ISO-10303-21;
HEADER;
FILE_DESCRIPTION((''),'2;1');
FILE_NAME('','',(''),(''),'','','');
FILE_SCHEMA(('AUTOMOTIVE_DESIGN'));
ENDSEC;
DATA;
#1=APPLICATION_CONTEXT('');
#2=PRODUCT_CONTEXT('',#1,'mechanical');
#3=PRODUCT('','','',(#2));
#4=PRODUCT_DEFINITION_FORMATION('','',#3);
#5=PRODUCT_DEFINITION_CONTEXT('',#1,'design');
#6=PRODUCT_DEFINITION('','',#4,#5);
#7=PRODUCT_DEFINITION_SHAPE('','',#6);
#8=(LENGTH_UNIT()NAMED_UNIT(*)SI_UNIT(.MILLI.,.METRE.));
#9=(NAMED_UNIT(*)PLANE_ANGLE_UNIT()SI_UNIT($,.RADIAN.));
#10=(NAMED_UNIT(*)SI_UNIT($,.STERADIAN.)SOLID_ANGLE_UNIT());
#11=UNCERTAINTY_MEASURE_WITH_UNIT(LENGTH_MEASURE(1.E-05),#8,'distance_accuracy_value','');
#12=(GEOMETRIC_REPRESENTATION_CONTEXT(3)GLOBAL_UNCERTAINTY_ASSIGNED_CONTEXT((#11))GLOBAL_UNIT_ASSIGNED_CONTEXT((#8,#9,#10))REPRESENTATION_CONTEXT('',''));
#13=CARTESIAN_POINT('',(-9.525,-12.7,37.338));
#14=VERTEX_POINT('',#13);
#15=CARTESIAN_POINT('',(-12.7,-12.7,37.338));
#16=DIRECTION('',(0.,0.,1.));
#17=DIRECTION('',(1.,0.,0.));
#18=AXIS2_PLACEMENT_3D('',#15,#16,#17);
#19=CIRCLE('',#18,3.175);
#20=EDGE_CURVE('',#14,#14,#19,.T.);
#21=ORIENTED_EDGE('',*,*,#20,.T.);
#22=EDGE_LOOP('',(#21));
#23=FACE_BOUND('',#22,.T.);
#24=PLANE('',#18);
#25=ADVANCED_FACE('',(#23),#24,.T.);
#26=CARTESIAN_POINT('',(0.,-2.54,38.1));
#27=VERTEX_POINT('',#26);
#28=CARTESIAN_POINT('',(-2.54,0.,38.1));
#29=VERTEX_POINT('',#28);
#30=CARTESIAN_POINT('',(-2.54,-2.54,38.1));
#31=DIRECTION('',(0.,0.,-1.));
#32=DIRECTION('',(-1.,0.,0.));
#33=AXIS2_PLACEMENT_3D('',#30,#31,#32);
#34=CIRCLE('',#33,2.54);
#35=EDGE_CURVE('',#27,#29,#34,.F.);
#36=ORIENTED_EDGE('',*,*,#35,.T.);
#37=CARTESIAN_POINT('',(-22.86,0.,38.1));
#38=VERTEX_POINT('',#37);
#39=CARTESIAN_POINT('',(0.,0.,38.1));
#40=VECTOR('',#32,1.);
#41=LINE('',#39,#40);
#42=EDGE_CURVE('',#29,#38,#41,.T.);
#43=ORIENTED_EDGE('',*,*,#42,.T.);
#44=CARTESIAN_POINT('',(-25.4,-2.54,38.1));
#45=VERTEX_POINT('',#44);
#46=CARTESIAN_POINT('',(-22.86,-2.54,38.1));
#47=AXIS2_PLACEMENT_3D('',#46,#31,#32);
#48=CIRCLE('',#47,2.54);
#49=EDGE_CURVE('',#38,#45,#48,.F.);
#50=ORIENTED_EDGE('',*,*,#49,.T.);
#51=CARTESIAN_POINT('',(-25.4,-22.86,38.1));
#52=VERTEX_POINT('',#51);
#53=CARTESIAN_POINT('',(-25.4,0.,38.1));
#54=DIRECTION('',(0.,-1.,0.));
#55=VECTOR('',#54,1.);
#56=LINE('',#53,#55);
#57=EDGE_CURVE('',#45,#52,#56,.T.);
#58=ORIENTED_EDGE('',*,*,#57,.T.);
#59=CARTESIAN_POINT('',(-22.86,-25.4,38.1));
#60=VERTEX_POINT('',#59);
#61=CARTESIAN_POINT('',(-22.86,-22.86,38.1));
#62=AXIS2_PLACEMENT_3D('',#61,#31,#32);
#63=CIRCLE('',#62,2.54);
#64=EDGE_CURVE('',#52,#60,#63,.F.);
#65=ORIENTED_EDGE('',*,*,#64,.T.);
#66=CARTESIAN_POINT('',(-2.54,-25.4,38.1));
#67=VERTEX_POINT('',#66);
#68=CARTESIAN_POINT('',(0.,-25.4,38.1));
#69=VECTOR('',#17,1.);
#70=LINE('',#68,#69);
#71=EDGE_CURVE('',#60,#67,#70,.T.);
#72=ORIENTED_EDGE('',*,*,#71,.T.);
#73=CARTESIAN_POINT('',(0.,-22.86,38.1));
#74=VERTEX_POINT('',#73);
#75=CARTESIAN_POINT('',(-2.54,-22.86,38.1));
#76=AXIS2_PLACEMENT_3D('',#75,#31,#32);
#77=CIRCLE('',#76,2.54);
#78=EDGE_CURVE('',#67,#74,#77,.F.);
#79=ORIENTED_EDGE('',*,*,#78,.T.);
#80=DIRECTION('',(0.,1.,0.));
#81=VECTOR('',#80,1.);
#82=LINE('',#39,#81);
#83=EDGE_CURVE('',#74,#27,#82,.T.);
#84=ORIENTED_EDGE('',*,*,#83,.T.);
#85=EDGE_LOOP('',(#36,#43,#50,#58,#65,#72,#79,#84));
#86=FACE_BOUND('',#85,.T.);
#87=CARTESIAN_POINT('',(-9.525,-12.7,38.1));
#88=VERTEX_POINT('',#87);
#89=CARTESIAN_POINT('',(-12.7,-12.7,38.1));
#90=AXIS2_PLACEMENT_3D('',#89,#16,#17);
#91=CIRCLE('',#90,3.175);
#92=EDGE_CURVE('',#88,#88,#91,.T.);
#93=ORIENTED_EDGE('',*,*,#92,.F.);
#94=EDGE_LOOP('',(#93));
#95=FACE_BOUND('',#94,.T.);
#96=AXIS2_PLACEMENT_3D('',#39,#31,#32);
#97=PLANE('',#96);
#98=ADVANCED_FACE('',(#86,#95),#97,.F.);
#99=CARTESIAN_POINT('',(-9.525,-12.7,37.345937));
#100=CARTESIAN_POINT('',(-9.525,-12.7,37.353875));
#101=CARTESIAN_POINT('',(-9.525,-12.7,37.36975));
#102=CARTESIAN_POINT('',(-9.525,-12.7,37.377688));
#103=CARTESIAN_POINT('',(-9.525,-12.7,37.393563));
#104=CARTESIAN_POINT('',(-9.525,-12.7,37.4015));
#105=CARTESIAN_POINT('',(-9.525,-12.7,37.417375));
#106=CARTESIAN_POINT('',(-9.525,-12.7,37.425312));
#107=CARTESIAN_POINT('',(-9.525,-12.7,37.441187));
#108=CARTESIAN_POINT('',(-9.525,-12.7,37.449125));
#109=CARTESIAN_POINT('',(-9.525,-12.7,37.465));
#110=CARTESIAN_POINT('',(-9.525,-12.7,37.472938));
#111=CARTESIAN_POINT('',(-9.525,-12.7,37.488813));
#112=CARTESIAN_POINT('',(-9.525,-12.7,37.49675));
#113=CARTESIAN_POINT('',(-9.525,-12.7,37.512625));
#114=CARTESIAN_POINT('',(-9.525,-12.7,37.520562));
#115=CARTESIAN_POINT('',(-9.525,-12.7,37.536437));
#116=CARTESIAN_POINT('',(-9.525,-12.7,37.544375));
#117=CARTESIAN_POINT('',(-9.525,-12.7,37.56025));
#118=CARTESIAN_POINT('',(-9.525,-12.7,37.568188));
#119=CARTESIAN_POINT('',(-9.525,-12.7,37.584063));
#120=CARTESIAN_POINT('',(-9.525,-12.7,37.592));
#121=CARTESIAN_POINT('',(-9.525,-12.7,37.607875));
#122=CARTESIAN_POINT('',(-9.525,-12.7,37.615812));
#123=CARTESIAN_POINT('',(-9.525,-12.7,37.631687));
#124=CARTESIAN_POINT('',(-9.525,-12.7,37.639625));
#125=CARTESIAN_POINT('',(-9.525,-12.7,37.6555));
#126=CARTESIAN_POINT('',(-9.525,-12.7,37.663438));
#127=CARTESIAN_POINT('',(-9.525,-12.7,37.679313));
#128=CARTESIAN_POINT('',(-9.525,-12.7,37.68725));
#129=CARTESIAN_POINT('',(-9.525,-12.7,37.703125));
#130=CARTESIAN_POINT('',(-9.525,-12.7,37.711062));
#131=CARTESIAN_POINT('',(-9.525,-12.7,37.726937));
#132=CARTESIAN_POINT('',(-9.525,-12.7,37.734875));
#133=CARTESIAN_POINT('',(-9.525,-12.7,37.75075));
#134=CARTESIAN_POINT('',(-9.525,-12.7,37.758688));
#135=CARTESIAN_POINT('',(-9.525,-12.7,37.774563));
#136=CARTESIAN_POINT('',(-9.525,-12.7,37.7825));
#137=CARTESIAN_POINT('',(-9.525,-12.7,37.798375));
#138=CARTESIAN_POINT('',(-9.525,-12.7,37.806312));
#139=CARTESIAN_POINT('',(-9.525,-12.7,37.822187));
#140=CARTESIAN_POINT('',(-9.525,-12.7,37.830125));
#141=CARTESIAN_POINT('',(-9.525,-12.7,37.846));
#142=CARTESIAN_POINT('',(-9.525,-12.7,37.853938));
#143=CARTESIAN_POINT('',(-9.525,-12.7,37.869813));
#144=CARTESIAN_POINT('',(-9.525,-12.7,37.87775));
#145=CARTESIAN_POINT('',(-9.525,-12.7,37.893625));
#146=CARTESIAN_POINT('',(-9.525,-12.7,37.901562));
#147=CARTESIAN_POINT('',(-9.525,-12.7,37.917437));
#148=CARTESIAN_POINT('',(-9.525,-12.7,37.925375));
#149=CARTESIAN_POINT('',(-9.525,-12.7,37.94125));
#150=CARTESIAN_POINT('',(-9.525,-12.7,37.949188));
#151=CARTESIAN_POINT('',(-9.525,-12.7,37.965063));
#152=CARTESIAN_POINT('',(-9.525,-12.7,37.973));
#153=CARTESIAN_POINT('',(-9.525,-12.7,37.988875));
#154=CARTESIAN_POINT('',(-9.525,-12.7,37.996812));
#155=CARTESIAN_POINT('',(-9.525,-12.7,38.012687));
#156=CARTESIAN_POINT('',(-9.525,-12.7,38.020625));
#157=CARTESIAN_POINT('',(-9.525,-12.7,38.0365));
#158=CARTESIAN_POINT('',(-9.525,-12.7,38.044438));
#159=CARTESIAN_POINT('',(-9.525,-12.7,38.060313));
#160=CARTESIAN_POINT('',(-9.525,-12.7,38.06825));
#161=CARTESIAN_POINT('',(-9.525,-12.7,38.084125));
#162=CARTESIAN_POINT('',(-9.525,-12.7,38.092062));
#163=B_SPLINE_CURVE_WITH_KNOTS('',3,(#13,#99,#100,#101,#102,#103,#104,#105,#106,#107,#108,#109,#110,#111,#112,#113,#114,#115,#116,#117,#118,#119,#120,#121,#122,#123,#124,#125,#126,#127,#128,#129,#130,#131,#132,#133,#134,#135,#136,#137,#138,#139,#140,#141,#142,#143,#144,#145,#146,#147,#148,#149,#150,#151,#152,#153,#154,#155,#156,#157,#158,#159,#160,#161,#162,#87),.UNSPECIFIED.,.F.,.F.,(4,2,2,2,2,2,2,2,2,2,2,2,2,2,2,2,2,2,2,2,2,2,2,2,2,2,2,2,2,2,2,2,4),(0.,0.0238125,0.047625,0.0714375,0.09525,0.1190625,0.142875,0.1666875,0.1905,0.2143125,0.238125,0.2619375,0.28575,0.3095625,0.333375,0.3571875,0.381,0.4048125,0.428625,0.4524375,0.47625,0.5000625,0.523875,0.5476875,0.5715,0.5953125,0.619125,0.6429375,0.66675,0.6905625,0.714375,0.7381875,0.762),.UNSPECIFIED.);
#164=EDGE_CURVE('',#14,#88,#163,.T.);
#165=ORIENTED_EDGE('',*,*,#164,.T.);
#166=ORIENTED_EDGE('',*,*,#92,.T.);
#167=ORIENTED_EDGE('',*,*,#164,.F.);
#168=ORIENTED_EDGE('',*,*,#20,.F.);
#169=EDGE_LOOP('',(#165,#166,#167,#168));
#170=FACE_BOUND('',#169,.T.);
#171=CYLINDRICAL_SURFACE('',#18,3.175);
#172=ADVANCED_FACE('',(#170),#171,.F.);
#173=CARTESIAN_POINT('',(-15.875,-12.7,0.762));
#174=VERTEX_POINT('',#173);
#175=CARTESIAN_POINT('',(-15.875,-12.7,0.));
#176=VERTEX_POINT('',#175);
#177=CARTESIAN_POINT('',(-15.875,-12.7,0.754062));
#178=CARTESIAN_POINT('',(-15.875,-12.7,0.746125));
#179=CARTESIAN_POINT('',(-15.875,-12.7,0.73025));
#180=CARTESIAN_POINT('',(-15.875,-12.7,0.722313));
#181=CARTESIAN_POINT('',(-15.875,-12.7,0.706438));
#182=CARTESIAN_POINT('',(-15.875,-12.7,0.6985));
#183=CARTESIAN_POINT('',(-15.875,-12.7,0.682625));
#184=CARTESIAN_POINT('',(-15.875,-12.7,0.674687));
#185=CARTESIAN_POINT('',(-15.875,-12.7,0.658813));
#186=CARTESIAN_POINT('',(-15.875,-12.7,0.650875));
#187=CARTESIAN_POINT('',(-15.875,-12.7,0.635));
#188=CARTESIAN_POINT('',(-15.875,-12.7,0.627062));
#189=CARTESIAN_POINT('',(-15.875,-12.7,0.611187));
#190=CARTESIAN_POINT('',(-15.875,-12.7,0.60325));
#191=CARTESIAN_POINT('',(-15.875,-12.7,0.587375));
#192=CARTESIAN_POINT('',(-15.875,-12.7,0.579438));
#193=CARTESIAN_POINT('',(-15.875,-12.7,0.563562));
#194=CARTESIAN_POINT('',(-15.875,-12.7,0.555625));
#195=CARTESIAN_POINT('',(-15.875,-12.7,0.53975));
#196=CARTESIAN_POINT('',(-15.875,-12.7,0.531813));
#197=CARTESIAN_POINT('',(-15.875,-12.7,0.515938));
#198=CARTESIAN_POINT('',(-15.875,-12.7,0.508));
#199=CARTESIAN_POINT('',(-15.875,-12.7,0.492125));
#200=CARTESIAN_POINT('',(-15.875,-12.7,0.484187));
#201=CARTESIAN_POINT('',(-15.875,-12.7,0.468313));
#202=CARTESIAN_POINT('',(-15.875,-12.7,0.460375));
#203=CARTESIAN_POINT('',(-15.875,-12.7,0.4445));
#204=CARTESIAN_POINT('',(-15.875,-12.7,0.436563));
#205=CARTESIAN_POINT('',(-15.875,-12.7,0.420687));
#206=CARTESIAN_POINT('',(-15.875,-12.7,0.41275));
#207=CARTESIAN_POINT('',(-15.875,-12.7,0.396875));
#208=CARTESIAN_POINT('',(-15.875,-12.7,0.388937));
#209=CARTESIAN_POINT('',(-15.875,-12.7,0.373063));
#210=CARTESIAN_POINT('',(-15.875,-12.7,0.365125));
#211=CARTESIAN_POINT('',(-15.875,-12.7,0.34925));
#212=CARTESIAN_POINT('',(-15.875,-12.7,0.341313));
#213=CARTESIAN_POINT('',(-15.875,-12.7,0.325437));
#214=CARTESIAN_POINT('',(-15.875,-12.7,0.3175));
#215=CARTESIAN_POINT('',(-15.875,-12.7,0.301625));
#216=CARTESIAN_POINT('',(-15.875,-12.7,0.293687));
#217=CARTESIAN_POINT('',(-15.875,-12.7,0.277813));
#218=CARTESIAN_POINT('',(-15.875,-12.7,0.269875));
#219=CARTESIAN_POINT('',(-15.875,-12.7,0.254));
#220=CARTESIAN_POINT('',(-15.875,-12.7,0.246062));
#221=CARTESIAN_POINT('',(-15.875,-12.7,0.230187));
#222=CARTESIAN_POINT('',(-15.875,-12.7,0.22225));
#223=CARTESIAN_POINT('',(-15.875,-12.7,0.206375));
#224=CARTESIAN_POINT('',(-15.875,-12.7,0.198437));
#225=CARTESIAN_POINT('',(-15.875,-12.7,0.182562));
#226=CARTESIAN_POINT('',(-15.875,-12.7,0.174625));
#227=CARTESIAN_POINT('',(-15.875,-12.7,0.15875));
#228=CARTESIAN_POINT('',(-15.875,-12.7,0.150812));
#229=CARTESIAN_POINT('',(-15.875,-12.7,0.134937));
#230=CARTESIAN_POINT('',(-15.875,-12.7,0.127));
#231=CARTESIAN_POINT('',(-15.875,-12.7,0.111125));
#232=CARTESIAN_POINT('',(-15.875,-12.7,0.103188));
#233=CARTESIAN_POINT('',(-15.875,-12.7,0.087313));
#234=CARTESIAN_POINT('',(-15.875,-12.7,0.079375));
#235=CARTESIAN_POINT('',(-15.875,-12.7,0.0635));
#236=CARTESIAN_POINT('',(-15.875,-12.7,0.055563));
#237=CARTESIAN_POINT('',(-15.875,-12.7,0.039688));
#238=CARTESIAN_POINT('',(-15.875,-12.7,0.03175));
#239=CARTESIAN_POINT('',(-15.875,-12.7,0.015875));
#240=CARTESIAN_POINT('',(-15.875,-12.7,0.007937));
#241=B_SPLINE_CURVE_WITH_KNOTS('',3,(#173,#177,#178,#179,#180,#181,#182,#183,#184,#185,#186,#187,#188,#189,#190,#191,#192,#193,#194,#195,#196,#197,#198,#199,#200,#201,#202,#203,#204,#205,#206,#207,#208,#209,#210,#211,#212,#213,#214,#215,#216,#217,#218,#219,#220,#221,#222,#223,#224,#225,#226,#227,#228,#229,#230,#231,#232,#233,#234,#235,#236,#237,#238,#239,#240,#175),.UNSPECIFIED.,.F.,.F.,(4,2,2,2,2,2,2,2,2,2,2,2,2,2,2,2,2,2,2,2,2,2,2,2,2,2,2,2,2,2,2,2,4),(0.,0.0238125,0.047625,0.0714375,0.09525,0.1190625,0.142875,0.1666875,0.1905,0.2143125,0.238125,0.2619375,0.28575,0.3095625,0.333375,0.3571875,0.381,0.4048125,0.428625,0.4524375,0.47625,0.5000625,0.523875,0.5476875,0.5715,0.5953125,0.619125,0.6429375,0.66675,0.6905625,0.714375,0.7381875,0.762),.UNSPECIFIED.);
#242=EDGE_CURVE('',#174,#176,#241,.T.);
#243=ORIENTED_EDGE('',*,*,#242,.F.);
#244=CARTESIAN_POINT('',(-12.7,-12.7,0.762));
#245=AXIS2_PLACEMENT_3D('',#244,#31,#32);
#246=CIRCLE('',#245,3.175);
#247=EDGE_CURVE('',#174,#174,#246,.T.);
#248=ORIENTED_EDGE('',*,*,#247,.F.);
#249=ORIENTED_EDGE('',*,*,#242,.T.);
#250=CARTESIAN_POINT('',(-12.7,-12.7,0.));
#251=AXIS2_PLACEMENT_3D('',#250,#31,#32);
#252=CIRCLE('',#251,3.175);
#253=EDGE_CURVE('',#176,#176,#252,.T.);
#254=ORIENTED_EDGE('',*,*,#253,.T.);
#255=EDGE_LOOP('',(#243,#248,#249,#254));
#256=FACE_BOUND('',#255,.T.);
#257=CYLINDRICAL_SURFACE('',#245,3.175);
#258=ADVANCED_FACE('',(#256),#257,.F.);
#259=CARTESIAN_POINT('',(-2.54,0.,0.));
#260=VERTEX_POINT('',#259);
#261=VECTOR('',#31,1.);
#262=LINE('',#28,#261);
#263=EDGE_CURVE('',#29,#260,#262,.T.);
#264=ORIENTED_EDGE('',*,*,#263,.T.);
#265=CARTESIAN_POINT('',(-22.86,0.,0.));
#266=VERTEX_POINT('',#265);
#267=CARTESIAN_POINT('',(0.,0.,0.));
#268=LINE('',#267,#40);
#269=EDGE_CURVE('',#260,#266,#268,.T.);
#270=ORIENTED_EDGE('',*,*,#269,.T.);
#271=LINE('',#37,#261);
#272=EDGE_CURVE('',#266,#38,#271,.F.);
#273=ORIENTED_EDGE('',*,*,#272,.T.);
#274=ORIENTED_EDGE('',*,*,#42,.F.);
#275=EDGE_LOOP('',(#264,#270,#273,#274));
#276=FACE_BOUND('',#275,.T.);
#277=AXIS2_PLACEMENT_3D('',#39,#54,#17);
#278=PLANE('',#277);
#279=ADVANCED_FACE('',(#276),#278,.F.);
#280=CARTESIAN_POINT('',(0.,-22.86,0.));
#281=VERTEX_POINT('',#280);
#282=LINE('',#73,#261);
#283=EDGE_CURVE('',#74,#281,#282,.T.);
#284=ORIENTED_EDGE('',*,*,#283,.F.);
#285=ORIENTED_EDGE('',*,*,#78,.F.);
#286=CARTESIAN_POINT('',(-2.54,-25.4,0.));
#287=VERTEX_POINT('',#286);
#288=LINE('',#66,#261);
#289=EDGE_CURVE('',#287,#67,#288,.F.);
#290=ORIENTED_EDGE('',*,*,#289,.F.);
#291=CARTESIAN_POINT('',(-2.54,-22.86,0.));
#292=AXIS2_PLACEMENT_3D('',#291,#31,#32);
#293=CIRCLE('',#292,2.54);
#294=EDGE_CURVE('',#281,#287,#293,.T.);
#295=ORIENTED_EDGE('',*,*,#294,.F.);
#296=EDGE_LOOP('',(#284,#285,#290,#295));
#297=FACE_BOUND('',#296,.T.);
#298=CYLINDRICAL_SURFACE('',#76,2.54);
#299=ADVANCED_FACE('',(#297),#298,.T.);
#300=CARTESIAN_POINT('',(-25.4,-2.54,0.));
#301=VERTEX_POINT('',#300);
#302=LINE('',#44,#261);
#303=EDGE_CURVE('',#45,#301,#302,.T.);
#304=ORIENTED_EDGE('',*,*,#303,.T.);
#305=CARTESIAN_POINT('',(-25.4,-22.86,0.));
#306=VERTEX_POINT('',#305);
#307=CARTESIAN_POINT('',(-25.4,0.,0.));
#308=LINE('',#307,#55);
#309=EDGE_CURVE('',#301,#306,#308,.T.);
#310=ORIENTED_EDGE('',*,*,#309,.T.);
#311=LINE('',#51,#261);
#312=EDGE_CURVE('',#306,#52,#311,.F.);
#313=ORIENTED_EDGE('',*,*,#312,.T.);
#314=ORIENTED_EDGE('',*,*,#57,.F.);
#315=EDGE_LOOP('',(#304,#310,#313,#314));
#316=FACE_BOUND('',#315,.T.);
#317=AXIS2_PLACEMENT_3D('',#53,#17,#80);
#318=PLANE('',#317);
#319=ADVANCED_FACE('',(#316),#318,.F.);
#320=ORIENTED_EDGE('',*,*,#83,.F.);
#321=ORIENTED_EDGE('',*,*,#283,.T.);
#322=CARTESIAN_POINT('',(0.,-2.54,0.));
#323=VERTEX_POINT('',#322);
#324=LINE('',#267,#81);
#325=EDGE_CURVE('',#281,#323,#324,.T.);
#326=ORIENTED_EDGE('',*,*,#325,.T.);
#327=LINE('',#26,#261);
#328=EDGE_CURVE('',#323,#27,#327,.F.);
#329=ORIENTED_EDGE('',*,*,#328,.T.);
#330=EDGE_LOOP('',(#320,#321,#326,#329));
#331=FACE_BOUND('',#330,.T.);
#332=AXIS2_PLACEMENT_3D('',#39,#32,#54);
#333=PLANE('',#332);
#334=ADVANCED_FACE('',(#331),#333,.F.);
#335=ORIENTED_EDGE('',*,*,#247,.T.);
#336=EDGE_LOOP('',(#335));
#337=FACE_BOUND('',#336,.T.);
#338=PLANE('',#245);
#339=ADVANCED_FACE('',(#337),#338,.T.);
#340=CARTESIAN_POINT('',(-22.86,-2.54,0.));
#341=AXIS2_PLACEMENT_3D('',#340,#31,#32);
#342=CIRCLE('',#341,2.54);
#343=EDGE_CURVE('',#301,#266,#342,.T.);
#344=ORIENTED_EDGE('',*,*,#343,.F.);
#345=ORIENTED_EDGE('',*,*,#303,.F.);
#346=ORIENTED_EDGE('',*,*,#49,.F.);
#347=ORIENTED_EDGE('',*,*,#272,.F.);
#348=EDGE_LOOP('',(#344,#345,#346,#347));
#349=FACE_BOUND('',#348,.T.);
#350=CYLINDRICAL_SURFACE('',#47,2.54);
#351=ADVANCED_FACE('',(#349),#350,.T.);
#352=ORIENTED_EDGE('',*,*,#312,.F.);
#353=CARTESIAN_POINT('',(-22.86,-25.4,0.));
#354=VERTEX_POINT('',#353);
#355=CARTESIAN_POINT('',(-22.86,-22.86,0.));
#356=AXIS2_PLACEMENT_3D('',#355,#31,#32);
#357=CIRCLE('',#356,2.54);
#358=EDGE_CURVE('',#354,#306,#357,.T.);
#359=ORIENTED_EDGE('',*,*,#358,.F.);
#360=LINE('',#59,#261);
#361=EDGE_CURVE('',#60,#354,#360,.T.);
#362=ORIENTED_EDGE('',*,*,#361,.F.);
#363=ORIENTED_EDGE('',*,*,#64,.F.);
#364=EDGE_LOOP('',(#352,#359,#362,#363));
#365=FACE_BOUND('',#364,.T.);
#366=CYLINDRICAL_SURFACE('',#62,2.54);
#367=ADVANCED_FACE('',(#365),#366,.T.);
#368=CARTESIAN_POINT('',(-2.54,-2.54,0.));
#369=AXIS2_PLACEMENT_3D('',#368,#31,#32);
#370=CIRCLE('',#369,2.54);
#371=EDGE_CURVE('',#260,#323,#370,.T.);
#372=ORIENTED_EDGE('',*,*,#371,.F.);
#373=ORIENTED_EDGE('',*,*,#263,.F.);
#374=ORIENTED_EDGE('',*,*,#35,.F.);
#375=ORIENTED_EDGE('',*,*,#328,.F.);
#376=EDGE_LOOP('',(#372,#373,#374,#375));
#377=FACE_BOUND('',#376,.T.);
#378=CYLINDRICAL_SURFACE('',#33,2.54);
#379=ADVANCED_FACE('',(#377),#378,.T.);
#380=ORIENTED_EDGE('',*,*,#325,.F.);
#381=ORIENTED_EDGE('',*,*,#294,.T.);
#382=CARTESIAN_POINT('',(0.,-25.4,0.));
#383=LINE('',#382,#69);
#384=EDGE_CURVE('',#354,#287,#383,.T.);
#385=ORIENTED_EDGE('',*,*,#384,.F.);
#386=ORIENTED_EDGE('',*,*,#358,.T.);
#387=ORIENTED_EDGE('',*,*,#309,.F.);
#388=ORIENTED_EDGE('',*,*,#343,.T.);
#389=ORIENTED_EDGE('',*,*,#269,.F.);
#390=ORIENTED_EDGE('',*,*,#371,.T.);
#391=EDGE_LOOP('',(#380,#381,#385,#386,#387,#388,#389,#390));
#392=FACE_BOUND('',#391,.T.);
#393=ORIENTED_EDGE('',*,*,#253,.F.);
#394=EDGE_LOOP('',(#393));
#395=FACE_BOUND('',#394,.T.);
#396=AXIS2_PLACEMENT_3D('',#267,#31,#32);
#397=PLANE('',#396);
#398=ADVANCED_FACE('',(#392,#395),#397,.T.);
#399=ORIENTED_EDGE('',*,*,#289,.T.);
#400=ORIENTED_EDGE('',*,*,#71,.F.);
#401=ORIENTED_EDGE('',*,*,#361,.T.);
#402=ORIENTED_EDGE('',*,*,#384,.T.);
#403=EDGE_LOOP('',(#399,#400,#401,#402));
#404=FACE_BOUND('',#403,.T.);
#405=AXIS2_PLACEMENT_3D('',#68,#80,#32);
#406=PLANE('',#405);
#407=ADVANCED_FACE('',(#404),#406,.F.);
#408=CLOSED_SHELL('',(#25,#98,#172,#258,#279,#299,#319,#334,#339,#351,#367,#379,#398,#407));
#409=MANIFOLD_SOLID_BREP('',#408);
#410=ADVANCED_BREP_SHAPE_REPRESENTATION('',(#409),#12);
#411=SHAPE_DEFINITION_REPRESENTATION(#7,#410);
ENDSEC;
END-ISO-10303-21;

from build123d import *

# Parameters (mm, degrees)
SKETCH2_W           = 25.4
SKETCH2_H           = 25.4
BOSS_EXTRUDE1_DEPTH = 38.1
FILLET2_R           = 2.54
SKETCH4_R           = 3.175
CUT_EXTRUDE1_DEPTH  = 0.762
CUT_EXTRUDE2_START  = -0.762
SKETCH5_R           = 3.175
CUT_EXTRUDE2_DEPTH  = 0.762


with BuildPart() as part:
    # Sketch2 → Boss-Extrude1 (new body)
    with BuildSketch(Plane.XY):
        with Locations((-12.7, -12.7)):
            Rectangle(SKETCH2_W, SKETCH2_H)
    extrude(amount=BOSS_EXTRUDE1_DEPTH)

    # Fillet2
    fillet2_edges = [part.edges().sort_by_distance(p)[0] for p in [
        (0, -25.4, 19.05),
        (-25.4, -25.4, 19.05),
        (-25.4, 0, 19.05),
        (0, 0, 19.05),
    ]]
    fillet(fillet2_edges, radius=FILLET2_R)

    # Sketch4 → Cut-Extrude1 (cut)
    with BuildSketch(Plane.XY.offset(38.1)):
        with Locations((-12.7, -12.7)):
            Circle(SKETCH4_R)
    extrude(amount=-CUT_EXTRUDE1_DEPTH, mode=Mode.SUBTRACT)

    # Sketch5 → Cut-Extrude2 (cut)
    with BuildSketch(Plane(origin=(0, 0, 0), x_dir=(-1, 0, 0), z_dir=(0, 0, -1)).offset(CUT_EXTRUDE2_START)):
        with Locations(Location((12.7, -12.7, 0), (0, 0, 180))):
            Circle(SKETCH5_R)
    extrude(amount=CUT_EXTRUDE2_DEPTH, mode=Mode.SUBTRACT)


solid = part.part
